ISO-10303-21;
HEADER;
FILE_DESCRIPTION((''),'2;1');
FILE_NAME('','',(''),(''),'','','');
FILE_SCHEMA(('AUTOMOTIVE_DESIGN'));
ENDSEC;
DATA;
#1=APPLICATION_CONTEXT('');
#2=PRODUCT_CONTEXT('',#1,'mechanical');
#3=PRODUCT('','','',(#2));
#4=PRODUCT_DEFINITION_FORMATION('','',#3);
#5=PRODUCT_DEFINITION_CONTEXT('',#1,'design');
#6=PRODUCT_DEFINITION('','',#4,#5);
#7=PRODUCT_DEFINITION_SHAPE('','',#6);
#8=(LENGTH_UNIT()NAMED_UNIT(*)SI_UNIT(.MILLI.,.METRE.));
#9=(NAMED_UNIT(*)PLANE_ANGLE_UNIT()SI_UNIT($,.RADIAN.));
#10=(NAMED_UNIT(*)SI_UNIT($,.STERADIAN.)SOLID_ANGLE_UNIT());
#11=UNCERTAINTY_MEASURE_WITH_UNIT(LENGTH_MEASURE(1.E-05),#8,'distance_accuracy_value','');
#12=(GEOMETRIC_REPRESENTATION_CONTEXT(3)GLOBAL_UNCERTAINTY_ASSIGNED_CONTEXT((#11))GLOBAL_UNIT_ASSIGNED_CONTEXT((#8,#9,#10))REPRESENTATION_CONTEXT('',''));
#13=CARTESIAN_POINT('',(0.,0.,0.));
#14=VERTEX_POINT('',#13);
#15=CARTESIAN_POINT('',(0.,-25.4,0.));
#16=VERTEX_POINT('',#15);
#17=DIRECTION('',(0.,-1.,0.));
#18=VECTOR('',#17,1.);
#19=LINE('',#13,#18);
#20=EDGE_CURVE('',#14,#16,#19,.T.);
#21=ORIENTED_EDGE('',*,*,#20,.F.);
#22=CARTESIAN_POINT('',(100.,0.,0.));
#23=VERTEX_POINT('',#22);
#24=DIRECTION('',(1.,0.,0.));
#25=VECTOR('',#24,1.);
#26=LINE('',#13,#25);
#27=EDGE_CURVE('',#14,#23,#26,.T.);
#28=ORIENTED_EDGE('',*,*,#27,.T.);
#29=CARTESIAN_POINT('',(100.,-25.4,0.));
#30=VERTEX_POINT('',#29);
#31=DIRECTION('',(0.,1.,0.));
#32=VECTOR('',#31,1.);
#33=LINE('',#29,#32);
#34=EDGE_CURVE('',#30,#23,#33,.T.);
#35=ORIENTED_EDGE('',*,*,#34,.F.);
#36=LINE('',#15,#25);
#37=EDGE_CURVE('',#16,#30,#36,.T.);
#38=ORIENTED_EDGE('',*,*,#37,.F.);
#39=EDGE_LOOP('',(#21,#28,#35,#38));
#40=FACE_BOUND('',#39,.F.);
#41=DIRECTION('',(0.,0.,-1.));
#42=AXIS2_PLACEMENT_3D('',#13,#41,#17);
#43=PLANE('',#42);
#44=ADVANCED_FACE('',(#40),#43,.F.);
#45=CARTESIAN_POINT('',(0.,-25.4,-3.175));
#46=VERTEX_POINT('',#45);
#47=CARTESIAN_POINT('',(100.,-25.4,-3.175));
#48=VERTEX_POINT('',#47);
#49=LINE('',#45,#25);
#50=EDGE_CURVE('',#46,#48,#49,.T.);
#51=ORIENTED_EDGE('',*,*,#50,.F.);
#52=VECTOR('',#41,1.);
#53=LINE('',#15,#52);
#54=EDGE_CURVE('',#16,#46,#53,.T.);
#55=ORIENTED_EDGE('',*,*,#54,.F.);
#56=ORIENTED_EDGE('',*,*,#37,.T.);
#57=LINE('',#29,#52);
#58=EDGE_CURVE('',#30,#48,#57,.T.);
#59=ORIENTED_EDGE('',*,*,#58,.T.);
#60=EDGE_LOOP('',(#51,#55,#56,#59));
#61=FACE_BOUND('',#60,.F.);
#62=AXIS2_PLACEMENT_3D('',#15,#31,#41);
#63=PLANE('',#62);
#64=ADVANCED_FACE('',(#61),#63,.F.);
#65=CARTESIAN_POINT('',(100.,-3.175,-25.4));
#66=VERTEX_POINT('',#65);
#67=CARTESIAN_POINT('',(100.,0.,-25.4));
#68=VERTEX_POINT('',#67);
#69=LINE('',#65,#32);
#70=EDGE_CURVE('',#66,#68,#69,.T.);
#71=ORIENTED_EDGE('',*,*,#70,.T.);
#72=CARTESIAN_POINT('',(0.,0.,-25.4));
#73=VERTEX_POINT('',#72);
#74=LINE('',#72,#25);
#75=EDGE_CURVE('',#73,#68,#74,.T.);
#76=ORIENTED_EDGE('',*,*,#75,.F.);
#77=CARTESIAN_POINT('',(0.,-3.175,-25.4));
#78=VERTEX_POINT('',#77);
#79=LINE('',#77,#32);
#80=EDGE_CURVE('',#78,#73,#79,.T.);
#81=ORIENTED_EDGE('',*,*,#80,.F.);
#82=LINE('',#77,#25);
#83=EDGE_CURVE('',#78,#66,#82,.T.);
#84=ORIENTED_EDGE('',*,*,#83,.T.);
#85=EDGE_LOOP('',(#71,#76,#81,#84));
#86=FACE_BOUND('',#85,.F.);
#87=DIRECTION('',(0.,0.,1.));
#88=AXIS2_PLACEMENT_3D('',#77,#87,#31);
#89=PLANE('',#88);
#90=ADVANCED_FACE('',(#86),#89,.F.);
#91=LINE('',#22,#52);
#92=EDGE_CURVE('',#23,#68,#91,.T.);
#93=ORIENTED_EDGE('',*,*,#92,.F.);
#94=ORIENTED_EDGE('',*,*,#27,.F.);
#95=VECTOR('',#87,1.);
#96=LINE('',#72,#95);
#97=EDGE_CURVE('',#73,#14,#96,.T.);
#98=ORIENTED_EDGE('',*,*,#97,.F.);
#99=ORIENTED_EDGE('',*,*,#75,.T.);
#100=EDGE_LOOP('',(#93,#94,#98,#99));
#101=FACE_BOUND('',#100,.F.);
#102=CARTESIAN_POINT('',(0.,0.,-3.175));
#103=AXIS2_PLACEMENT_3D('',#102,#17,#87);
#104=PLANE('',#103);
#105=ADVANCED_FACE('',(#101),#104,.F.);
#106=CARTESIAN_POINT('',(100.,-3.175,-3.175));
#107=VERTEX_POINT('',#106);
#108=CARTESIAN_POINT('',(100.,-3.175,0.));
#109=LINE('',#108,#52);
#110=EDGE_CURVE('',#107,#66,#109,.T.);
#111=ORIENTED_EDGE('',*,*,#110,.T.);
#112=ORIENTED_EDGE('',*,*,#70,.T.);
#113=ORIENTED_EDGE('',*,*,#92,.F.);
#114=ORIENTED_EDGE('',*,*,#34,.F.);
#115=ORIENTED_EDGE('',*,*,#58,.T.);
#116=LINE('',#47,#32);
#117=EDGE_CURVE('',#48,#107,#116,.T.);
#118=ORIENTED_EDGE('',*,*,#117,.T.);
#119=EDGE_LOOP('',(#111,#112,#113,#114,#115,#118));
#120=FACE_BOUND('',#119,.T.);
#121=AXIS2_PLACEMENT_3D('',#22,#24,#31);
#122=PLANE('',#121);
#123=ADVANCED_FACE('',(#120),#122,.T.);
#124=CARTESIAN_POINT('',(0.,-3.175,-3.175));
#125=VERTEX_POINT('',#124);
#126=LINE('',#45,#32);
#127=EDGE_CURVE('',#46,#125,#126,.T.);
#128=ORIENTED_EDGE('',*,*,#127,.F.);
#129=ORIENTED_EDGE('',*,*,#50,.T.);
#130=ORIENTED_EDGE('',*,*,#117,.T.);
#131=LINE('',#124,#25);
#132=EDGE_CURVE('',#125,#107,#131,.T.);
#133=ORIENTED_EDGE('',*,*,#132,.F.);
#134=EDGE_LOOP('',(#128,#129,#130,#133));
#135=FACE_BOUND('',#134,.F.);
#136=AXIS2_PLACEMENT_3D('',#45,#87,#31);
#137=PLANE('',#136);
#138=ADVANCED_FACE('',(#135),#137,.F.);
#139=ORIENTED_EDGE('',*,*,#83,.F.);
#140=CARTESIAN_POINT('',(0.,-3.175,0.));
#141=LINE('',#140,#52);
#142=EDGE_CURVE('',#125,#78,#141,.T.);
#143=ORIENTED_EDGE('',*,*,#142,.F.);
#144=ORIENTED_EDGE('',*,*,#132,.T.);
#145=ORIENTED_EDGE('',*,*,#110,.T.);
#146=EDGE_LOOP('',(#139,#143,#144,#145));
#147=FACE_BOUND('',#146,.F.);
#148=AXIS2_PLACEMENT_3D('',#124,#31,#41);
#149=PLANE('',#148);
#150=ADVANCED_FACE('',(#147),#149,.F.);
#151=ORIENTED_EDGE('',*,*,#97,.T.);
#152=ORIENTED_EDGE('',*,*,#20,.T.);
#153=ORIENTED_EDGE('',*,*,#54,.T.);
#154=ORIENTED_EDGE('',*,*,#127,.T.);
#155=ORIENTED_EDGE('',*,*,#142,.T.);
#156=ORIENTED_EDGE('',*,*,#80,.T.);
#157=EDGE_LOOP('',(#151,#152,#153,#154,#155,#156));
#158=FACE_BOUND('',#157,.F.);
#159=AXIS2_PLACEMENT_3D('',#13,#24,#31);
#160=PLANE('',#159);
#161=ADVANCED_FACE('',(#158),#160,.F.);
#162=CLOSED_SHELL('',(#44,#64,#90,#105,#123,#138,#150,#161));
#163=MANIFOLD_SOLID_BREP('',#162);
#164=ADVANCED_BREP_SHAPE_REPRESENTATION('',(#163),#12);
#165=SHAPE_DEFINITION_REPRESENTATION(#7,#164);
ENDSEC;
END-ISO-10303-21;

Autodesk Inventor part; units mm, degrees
ref_plane "YZ Plane" through (0, 0, 0) normal (1, 0, 0) x (0, 1, 0)
ref_plane "XZ Plane" through (0, 0, 0) normal (0, 1, 0) x (-1, 0, 0)
ref_plane "XY Plane" through (0, 0, 0) normal (0, 0, 1) x (1, 0, 0)
sketch "Sketch1" plane through (0, 0, 0) normal (1, 0, 0) x (0, 1, 0)
  line L0 (0, 0) -> (-25.4, 0)
  line L1 (-25.4, 0) -> (-25.4, -3.175)
  line L2 (-25.4, -3.175) -> (0, -3.175)
  line L3 (0, -3.175) -> (0, 0)
  line L4 (0, 0) -> (-3.175, 0)
  line L5 (-3.175, 0) -> (-3.175, -25.4)
  line L6 (-3.175, -25.4) -> (0, -25.4)
  line L7 (0, -25.4) -> (0, 0)
  point P0 (-3.175, -3.175)
  dimension "d0" = 3.175
  dimension "d1" = 25.4
extrude "Extrusion1" add sketch "Sketch1" along normal blind 100
properties part number "SOPORTE_CANALETA_PRINCIPAL" material "Steel, Mild, Welded"
